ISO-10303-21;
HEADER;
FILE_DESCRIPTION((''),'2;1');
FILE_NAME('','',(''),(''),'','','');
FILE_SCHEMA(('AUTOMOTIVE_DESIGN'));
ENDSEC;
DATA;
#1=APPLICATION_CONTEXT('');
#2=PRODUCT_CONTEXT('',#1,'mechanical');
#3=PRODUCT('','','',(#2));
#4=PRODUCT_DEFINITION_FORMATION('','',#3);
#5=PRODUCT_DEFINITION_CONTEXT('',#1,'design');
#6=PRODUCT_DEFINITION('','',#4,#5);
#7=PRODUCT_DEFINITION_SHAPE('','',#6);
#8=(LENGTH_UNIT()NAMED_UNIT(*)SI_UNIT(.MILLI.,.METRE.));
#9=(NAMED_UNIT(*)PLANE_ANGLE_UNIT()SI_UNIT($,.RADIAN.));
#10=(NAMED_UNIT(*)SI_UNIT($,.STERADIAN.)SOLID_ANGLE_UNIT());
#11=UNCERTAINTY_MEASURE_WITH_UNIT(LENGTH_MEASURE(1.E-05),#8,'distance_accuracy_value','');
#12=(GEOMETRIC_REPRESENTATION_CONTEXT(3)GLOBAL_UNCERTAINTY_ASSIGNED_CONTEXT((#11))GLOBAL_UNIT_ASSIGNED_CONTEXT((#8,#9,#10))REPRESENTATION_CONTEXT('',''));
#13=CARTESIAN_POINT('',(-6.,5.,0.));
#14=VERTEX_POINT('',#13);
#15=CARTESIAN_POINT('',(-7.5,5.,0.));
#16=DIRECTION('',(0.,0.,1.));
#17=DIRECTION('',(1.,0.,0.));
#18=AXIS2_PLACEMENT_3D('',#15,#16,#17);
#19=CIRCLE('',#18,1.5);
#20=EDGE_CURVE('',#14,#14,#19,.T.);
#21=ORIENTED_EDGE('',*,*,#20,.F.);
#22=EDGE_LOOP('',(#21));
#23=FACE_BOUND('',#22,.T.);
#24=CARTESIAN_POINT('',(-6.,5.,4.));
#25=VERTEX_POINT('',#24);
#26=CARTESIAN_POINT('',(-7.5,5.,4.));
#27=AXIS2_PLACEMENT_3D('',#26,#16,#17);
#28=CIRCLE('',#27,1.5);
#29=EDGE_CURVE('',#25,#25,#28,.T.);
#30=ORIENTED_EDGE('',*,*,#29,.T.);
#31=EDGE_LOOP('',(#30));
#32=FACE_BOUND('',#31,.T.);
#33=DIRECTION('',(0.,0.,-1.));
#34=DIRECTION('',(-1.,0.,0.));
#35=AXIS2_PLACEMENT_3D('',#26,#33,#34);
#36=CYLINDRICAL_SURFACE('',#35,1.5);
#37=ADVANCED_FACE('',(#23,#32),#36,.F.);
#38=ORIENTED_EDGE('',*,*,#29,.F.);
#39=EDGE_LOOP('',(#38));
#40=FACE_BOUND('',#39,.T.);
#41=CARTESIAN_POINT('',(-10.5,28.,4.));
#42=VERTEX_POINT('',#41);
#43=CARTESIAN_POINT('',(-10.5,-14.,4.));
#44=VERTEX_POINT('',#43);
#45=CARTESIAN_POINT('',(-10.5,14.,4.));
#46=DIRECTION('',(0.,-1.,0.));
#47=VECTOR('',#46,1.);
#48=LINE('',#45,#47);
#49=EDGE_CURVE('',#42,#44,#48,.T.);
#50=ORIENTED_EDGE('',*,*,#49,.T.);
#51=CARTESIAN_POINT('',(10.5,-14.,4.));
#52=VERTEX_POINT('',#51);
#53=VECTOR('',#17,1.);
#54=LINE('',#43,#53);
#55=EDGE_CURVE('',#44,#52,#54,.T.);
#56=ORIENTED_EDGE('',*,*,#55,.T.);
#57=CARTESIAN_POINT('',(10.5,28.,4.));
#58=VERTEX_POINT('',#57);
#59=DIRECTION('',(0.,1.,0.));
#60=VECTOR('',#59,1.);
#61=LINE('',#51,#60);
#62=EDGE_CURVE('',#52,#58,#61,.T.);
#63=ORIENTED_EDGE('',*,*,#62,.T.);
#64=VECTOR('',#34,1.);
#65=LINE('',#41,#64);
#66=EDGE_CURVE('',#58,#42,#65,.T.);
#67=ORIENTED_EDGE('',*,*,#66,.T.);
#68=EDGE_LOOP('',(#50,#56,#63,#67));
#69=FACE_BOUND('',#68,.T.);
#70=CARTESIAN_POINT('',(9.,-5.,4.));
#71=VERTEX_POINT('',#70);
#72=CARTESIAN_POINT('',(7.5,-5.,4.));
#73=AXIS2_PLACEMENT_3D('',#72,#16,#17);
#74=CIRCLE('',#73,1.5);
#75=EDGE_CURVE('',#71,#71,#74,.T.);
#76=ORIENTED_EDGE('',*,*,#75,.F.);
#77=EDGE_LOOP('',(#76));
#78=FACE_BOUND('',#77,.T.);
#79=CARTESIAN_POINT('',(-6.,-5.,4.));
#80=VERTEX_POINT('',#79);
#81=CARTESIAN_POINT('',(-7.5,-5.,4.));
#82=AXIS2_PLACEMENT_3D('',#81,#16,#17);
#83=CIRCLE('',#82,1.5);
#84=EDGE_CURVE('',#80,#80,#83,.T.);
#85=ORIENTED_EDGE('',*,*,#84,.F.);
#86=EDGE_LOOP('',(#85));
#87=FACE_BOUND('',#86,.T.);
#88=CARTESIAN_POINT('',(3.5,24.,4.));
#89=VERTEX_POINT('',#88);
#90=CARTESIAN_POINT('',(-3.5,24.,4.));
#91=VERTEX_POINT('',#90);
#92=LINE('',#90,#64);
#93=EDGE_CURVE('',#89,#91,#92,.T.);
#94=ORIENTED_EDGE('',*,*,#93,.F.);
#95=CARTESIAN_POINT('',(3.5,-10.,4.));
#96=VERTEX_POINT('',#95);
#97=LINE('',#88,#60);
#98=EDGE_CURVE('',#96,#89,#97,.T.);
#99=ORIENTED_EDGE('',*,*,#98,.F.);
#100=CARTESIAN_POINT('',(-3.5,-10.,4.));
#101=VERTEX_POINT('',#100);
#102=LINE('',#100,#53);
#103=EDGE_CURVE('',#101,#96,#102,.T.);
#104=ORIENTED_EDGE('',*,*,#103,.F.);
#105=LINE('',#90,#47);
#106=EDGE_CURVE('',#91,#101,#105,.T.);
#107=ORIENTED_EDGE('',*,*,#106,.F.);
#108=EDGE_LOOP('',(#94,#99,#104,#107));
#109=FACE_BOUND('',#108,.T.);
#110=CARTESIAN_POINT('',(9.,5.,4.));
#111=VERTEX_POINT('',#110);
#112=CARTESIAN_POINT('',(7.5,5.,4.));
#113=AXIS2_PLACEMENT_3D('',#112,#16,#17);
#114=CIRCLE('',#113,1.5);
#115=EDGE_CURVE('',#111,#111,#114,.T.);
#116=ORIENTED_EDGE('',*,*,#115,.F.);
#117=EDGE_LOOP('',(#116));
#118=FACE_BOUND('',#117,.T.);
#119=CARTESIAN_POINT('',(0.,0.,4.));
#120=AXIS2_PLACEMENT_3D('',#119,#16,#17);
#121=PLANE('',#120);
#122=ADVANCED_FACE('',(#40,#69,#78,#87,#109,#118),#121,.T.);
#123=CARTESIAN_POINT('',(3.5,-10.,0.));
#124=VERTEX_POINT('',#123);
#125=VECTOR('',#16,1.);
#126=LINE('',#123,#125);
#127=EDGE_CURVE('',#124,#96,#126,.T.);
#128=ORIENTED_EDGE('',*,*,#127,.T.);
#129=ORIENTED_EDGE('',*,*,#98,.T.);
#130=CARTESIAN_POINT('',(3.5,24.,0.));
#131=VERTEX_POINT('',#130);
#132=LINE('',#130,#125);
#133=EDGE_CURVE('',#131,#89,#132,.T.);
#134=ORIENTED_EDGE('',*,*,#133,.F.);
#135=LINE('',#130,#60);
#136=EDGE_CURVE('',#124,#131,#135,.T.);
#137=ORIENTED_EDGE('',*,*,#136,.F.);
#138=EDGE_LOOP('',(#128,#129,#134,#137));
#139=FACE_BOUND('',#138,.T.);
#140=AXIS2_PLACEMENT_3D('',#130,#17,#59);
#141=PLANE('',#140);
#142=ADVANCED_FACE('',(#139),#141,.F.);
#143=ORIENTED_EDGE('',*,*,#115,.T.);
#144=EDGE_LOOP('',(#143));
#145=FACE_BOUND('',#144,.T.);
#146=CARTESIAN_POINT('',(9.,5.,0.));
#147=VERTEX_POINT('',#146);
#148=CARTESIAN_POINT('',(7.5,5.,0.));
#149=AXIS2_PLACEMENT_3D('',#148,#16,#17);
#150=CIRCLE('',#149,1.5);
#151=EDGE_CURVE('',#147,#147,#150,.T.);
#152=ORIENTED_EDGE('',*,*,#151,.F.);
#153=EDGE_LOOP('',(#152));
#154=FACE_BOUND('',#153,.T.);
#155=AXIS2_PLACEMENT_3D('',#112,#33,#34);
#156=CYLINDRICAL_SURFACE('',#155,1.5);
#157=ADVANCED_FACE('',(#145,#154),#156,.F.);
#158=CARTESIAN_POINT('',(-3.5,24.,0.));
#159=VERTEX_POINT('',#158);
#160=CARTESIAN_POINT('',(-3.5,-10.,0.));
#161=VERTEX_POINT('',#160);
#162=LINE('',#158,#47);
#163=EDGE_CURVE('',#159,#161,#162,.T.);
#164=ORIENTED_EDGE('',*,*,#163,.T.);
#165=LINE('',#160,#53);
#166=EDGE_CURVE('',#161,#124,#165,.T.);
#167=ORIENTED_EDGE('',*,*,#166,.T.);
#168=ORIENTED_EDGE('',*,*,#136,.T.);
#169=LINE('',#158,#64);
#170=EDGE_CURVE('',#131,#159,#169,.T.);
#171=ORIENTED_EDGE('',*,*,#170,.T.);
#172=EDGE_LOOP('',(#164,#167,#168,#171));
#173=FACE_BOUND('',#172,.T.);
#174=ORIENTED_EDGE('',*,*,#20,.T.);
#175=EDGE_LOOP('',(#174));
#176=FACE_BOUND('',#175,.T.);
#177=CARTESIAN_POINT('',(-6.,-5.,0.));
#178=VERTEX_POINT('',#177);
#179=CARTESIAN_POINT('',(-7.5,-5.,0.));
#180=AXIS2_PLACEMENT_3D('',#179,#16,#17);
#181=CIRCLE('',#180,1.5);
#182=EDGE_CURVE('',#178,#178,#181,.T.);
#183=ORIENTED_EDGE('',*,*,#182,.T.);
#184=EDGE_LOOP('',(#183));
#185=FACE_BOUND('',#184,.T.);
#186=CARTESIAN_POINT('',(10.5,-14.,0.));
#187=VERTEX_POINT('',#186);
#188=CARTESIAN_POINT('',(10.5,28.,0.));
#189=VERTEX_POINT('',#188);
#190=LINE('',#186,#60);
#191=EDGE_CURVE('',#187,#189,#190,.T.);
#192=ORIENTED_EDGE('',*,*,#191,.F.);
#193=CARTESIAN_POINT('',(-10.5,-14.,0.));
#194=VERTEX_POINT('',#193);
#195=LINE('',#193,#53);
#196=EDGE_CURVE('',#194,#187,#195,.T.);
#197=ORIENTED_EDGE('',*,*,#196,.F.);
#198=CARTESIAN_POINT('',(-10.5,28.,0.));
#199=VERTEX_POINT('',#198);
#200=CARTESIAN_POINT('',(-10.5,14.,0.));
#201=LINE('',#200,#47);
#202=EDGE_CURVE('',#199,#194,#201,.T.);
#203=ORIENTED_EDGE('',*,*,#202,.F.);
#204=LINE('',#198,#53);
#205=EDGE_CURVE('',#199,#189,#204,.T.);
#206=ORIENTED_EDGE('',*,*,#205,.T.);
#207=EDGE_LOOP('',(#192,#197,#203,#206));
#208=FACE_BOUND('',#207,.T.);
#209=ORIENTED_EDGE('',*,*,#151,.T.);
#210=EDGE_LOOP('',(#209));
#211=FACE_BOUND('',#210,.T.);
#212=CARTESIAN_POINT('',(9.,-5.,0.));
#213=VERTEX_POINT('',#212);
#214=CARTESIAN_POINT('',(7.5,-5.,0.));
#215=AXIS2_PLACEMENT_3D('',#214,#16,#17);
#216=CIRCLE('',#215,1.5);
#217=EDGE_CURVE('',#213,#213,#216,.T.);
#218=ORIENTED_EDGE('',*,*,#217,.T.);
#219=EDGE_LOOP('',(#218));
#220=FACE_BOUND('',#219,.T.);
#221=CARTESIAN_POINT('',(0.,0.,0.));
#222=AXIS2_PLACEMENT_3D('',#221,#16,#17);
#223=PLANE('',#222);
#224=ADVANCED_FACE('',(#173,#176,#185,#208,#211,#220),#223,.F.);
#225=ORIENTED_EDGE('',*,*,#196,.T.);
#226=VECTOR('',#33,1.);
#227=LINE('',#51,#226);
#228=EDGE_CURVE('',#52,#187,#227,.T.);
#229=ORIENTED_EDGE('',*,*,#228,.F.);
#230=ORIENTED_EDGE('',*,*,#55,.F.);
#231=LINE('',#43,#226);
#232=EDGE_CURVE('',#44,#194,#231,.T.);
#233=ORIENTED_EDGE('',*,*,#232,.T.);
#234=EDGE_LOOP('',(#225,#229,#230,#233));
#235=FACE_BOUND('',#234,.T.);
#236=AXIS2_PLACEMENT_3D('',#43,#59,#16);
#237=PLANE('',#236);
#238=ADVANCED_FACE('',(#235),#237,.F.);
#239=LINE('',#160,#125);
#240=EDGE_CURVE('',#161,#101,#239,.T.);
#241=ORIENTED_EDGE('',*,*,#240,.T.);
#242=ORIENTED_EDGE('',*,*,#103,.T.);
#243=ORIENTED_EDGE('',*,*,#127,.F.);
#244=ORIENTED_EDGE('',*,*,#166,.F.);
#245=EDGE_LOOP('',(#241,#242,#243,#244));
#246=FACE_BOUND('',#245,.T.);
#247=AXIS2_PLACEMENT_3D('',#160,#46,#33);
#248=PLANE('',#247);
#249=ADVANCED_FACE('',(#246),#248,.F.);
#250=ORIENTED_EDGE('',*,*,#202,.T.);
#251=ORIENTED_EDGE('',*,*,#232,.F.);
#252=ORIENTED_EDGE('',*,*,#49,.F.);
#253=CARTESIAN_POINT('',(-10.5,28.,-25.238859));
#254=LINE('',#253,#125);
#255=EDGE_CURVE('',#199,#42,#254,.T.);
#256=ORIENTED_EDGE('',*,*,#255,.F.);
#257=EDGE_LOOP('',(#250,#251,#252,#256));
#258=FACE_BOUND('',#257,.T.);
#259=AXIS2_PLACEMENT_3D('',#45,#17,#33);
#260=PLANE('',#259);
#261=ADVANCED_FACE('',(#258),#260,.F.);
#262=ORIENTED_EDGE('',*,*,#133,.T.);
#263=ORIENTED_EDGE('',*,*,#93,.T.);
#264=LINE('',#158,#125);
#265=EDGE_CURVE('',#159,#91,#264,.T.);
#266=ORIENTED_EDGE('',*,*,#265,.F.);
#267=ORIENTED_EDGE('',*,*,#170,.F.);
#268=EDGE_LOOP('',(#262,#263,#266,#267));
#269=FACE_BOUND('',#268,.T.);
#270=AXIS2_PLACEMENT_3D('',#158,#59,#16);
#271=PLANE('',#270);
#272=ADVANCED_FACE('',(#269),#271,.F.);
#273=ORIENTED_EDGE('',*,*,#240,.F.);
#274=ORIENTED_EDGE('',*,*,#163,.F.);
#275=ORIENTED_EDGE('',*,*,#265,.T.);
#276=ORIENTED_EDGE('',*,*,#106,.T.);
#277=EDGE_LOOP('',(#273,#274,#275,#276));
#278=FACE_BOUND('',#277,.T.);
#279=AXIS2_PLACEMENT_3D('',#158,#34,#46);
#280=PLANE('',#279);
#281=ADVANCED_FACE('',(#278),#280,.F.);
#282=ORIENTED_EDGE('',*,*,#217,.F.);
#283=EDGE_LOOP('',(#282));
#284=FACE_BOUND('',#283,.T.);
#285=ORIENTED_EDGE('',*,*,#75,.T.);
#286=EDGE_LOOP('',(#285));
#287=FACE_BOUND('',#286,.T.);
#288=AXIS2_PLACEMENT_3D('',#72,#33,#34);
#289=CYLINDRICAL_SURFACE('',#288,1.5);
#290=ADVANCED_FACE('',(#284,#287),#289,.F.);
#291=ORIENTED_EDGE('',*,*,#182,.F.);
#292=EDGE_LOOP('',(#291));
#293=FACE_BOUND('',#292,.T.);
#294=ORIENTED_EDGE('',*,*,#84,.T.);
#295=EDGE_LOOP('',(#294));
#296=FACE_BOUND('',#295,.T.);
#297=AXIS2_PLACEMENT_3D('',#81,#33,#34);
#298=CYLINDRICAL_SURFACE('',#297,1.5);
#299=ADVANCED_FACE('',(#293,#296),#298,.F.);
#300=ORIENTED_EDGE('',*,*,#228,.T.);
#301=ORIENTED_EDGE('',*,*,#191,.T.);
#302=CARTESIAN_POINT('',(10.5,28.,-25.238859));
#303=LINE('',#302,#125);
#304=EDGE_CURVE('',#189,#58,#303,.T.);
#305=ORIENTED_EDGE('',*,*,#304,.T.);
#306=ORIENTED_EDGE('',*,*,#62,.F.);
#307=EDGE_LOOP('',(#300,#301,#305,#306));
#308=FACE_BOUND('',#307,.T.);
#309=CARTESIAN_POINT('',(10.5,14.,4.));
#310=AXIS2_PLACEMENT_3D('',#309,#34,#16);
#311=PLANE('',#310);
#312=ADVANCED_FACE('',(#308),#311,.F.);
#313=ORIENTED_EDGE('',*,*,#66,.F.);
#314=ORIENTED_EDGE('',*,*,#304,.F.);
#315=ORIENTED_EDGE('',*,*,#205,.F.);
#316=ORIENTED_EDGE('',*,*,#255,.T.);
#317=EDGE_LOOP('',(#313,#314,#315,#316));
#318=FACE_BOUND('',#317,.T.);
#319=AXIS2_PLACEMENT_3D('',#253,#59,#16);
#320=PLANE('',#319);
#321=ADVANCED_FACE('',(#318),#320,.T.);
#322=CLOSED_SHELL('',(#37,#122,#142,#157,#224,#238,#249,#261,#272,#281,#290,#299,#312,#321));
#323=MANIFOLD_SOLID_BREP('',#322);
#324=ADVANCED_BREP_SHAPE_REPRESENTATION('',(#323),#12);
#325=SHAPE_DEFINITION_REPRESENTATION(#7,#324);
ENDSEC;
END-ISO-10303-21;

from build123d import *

# Parameters (mm, degrees)
SKETCH_1_R          = 1.5
EXTRUDE_1_DEPTH     = 4
FILLET_1_R          = 2
SKETCH_3_W          = 25.138692766
SKETCH_3_H          = 29.703861026
CUT_EXTRUDE_1_DEPTH = 38.446628687
SKETCH_4_W          = 21
SKETCH_4_H          = 14
EXTRUDE_2_DEPTH     = 4
SKETCH_5_W          = 7
SKETCH_5_H          = 34
CUT_EXTRUDE_2_DEPTH = 31.170349683


with BuildPart() as part:
    # 草图1 → 凸台-拉伸1 (new body)
    with BuildSketch(Plane.XY):
        Polygon((-10.5, 14), (10.5, 14), (10.5, 4), (34.5, 4), (34.5, -4), (10.5, -4), (10.5, -14), (-10.5, -14), align=None)
        with Locations((-7.5, 5)):
            Circle(SKETCH_1_R, mode=Mode.SUBTRACT)
        with Locations((7.5, 5)):
            Circle(SKETCH_1_R, mode=Mode.SUBTRACT)
        with Locations((-7.5, -5)):
            Circle(SKETCH_1_R, mode=Mode.SUBTRACT)
        with Locations((7.5, -5)):
            Circle(SKETCH_1_R, mode=Mode.SUBTRACT)
        with Locations((16.5, 0)):
            Circle(SKETCH_1_R, mode=Mode.SUBTRACT)
        with Locations((31.5, 0)):
            Circle(SKETCH_1_R, mode=Mode.SUBTRACT)
    extrude(amount=EXTRUDE_1_DEPTH)

    # 圆角1
    fillet_1_edges = [part.edges().sort_by_distance(p)[0] for p in [
        (10.5, 4, 2),
        (10.5, -4, 2),
    ]]
    fillet(fillet_1_edges, radius=FILLET_1_R)

    # 草图3 → 切除-拉伸1 (cut, through all)
    with BuildSketch(Plane.XY.offset(4)):
        with Locations((23.069346383, -0.851930513)):
            Rectangle(SKETCH_3_W, SKETCH_3_H)
    extrude(amount=-CUT_EXTRUDE_1_DEPTH, mode=Mode.SUBTRACT)

    # 草图4 → 凸台-拉伸2 (add)
    with BuildSketch(Plane.XY.offset(4)):
        with Locations((0, 21)):
            Rectangle(SKETCH_4_W, SKETCH_4_H)
    extrude(amount=-EXTRUDE_2_DEPTH)

    # 草图5 → 切除-拉伸2 (cut, through all)
    with BuildSketch(Plane.XY.offset(4)):
        with Locations((0, 7)):
            Rectangle(SKETCH_5_W, SKETCH_5_H)
    extrude(amount=-CUT_EXTRUDE_2_DEPTH, mode=Mode.SUBTRACT)


solid = part.part
